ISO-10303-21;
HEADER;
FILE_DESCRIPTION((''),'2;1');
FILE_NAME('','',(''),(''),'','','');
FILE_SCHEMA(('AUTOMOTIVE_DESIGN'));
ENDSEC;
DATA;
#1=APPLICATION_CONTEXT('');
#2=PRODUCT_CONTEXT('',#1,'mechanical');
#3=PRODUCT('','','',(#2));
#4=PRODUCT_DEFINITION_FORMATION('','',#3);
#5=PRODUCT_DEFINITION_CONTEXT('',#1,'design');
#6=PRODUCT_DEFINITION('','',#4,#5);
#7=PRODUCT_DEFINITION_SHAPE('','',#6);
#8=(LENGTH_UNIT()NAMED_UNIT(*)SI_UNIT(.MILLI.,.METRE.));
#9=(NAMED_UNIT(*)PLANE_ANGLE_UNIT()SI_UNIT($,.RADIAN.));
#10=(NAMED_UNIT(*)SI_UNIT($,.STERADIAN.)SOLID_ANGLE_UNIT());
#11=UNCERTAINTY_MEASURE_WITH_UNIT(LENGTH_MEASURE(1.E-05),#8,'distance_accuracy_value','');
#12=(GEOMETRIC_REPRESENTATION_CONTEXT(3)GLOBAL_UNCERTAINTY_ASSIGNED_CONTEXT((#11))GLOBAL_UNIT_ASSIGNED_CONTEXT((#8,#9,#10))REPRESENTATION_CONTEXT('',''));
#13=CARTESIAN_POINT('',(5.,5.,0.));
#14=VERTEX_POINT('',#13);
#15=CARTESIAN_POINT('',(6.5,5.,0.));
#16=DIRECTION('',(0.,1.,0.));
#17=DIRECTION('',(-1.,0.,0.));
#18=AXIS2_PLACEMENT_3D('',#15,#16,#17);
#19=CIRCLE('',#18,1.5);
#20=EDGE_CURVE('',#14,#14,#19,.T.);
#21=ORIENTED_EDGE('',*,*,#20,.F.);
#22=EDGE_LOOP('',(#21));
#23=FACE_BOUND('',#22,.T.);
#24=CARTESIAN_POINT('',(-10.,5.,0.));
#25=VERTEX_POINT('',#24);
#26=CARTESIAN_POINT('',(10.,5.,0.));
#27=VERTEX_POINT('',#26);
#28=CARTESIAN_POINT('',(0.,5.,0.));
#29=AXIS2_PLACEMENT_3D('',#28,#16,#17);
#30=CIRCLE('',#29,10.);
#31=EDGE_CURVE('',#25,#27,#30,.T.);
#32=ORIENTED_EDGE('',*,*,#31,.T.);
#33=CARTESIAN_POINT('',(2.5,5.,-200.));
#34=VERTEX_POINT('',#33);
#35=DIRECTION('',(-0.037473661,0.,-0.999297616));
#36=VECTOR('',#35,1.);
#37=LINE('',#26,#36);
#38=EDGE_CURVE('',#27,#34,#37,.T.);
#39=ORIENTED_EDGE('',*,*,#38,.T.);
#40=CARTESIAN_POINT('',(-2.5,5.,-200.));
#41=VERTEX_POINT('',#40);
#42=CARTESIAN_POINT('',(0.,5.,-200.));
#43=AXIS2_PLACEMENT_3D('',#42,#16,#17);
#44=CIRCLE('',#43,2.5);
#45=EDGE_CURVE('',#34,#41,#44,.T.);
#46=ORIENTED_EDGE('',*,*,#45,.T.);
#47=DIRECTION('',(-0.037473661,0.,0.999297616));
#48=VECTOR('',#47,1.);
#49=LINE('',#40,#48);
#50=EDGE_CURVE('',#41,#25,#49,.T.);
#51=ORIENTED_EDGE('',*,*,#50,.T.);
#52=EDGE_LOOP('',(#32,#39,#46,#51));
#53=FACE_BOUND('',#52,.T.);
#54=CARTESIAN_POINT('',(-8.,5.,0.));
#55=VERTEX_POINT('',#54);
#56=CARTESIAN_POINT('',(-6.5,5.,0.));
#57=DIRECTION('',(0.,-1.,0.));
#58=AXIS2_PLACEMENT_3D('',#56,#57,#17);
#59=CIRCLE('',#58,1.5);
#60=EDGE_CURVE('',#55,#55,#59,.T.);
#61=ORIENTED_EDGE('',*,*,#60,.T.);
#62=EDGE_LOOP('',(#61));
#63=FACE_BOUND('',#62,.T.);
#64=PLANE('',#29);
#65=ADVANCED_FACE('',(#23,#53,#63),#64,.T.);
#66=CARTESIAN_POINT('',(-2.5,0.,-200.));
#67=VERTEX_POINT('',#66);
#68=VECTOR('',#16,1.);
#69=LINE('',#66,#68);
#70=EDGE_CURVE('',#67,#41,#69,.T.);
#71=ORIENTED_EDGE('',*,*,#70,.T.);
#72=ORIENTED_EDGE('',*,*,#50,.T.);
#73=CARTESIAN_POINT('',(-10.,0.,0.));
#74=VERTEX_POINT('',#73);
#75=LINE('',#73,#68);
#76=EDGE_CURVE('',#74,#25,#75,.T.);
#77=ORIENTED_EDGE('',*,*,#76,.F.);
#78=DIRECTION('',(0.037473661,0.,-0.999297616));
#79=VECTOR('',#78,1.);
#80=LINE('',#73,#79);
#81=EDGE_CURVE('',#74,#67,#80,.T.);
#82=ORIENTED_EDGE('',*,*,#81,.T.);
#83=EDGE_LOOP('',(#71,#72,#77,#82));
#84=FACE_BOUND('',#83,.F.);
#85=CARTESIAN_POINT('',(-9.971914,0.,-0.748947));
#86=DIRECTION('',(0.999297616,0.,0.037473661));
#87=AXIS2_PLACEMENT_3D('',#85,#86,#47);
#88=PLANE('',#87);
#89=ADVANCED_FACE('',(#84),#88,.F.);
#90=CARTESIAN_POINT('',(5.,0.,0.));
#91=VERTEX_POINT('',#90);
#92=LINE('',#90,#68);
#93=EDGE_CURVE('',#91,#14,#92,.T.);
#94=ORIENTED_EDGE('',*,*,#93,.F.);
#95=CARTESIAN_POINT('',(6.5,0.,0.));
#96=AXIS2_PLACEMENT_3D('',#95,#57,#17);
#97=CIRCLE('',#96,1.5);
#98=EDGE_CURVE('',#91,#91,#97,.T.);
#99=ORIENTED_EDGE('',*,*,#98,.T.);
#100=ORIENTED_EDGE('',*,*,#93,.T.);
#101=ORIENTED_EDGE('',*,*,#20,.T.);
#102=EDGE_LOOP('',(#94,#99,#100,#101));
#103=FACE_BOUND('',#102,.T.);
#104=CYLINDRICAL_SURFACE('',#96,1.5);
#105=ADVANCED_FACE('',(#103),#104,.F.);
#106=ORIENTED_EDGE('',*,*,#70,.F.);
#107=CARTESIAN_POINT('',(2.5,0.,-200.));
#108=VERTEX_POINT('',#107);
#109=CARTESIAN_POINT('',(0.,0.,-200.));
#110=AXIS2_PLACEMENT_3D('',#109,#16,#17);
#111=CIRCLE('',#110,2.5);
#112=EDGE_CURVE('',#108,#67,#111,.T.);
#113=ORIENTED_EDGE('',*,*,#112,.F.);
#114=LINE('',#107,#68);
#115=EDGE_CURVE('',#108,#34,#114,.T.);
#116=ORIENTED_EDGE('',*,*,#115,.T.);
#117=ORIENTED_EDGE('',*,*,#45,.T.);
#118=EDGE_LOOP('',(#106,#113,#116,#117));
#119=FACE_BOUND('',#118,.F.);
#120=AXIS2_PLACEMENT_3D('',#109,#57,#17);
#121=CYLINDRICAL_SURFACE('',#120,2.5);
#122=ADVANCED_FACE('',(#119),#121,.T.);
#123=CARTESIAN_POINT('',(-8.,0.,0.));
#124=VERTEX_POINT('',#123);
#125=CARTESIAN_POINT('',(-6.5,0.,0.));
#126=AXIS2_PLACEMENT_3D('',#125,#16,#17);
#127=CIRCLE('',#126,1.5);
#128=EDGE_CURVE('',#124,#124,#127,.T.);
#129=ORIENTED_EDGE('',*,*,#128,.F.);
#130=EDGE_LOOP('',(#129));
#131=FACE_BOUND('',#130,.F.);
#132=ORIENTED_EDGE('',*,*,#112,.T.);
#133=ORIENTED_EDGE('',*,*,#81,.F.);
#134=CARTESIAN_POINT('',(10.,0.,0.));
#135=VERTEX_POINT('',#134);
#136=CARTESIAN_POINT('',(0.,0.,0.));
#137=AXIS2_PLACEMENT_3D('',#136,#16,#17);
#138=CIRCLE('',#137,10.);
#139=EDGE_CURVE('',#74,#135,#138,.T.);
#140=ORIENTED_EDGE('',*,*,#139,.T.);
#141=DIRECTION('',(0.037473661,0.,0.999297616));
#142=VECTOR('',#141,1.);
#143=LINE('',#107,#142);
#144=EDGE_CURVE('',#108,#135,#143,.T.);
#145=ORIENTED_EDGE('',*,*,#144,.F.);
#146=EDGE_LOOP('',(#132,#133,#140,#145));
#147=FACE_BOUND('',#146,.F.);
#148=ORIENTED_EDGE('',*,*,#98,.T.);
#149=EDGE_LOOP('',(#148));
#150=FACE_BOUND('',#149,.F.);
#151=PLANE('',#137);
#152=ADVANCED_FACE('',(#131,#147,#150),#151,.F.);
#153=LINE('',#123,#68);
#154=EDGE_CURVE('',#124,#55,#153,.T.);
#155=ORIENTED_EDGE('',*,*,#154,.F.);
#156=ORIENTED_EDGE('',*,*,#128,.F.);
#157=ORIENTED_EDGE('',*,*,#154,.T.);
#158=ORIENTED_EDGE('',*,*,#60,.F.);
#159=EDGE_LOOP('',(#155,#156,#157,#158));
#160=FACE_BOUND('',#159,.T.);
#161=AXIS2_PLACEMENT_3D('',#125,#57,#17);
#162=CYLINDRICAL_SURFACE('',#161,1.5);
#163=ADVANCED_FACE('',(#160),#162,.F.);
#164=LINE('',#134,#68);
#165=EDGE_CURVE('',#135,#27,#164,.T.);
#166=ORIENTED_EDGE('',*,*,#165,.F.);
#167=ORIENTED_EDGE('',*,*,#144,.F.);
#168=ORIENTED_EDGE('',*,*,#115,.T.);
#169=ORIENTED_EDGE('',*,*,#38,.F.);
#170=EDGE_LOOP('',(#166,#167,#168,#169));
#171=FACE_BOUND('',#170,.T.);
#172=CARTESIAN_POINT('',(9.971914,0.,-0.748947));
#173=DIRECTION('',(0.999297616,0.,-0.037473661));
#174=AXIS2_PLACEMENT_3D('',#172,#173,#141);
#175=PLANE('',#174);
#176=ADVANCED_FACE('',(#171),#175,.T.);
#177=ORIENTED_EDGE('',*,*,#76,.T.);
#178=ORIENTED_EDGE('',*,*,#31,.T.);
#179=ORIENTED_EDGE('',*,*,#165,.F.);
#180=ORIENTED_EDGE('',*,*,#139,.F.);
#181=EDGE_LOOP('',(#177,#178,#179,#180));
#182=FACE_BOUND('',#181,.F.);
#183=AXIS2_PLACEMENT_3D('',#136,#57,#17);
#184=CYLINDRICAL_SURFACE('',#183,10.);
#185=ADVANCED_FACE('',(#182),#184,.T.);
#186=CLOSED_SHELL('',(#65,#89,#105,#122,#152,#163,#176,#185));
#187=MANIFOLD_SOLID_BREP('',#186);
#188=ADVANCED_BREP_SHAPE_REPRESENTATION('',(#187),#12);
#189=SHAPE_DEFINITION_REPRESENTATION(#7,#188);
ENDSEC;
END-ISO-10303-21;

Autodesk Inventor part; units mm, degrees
ref_plane "YZ Plane" through (0, 0, 0) normal (1, 0, 0) x (0, 1, 0)
ref_plane "XZ Plane" through (0, 0, 0) normal (0, 1, 0) x (-1, 0, 0)
ref_plane "XY Plane" through (0, 0, 0) normal (0, 0, 1) x (1, 0, 0)
sketch "Sketch1" plane through (0, 0, 0) normal (0, 1, 0) x (-1, 0, 0)
  circle A0 centre (0, 0) radius 10
  line L0 (0, 0) -> (0, -200)
  circle A1 centre (0, -200) radius 2.5
  line L1 (0, -200) -> (-2.5, -200)
  line L2 (-2.5, -200) -> (-10, 0)
  line L3 (2.5, -200) -> (10, 0)
  circle A2 centre (0, 0) radius 6.5
  circle A3 centre (6.5, 0) radius 1.5
  circle A4 centre (-6.5, 0) radius 1.5
  dimension "d0" = 20
  dimension "d2" = 5
  dimension "d1" = 200
  dimension "d3" = 13
  dimension "d4" = 3
  dimension "d5" = 3
extrude "Extrusion1" add sketch "Sketch1" along normal blind 5 contours A2 A4 A3 | L3 A0 L2 | L3 A1 L0 A0 | A0 L0 A1 L2 | A1 L1 L0 | A1 L0 L1
sketch "Sketch2" plane through (0, 5, 0) normal (0, 1, 0) x (1, 0, 0)
  arc A0 (-10, 0) -> (10, 0) centre (0, 0) ccw projected
  line L0 (10, 0) -> (2.5, 200) projected
  arc A1 (2.5, 200) -> (-2.5, 200) centre (0, 200) ccw projected
  line L1 (-2.5, 200) -> (-10, 0) projected
  circle A2 centre (6.5, 0) radius 1.5 projected
  circle A3 centre (-6.5, 0) radius 1.5 projected
properties part number "puntero" material "Polycarbonate, Clear"
